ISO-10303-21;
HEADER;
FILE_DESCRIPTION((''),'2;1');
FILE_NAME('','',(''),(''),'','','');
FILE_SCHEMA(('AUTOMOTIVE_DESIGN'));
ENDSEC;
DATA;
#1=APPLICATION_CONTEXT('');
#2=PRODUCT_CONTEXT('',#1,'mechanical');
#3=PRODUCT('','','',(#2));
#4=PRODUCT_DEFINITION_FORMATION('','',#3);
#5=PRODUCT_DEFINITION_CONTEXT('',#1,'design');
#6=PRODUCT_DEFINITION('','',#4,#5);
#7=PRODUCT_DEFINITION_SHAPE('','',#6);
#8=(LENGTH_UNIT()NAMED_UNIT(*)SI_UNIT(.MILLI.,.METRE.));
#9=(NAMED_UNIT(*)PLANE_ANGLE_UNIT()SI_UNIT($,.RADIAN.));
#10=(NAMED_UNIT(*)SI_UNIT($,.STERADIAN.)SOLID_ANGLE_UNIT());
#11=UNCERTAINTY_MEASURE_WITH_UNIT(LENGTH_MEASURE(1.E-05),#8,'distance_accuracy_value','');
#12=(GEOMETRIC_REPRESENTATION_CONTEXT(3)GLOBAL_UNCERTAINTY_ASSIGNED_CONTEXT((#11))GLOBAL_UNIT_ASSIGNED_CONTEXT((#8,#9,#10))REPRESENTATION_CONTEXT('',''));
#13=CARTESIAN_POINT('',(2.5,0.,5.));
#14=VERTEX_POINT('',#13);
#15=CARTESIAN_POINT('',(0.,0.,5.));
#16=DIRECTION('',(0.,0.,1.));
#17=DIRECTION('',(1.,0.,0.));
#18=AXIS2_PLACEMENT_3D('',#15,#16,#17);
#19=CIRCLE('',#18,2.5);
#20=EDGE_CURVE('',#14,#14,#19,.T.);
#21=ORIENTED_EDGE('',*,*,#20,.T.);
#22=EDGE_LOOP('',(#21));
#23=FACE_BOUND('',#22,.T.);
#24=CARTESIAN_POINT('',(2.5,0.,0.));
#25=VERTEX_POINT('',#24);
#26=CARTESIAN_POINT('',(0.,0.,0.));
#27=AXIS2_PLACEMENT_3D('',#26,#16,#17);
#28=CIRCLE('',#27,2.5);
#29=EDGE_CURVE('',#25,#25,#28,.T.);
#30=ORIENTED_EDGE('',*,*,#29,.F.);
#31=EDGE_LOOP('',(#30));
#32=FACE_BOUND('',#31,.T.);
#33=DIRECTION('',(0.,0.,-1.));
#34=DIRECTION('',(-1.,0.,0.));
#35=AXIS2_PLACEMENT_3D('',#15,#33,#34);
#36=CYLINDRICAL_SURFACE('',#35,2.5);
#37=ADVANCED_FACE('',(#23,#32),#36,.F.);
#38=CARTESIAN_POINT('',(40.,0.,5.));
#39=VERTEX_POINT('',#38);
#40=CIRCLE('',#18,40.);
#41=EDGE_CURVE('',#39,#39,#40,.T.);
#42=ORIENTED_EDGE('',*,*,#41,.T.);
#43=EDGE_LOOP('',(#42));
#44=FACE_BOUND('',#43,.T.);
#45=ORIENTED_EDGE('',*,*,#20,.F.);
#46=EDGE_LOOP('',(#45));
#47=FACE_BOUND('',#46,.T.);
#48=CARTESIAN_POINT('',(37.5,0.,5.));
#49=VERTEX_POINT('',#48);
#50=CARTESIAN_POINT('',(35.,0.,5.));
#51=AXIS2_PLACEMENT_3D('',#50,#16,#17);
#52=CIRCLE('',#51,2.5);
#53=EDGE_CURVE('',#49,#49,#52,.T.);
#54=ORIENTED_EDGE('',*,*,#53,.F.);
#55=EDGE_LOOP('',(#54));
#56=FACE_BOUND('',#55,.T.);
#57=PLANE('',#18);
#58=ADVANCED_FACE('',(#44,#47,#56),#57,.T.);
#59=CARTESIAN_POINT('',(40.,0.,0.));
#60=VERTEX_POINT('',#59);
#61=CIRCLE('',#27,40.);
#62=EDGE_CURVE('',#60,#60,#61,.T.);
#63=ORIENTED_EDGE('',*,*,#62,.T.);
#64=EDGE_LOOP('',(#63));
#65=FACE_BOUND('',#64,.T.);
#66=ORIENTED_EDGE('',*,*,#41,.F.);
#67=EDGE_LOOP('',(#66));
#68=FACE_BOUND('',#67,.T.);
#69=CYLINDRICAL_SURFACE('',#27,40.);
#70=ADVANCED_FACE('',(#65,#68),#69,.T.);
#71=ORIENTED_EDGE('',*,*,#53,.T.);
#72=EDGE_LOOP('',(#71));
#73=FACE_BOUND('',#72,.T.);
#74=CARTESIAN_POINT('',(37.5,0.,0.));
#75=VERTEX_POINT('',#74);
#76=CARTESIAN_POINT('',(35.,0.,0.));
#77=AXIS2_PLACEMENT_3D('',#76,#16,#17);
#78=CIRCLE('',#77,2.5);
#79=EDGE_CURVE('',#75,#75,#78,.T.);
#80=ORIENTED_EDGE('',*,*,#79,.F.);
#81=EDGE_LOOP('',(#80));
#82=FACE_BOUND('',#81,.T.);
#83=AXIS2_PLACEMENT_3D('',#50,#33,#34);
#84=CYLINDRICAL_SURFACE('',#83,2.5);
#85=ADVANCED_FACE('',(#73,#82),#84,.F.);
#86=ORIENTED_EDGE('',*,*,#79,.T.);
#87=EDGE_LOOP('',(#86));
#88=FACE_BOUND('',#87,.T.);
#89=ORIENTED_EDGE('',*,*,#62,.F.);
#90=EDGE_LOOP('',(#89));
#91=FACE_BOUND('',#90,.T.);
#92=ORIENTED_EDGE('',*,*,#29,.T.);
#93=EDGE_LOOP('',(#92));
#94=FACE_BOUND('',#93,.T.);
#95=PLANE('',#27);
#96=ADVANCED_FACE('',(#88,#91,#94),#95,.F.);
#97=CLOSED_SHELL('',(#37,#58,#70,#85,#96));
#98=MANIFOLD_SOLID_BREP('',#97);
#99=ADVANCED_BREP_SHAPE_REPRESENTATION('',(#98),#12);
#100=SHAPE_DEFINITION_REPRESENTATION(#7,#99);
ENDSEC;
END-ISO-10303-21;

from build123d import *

# Parameters (mm, degrees)
SKETCH_1_R      = 5
SKETCH_1_R_2    = 2.5
EXTRUDE_1_DEPTH = 5
EXTRUDE_START   = -5
SKETCH_2_R      = 40
SKETCH_2_R_2    = 2.5
EXTRUDE_2_DEPTH = 5


with BuildPart() as part:
    # 草图1 → 凸台-拉伸1 (new body)
    # profile 1 of 3: a face of its own
    with BuildSketch(Plane.XY):
        with BuildLine():
            ThreePointArc((5, 0), (3.535533906, -3.535533906), (0, -5))
            Line((0, -5), (35, -5))
            ThreePointArc((35, -5), (30, 0), (35, 5))
            Line((35, 5), (0, 5))
            ThreePointArc((0, 5), (3.535533906, 3.535533906), (5, 0))
        make_face()
    # profile 2 of 3: a face of its own
    with BuildSketch(Plane.XY):
        Circle(SKETCH_1_R)
        Circle(SKETCH_1_R_2, mode=Mode.SUBTRACT)
    # profile 3 of 3: a face of its own
    with BuildSketch(Plane.XY):
        with Locations((35, 0)):
            Circle(SKETCH_1_R)
        with Locations((35, 0)):
            Circle(SKETCH_1_R_2, mode=Mode.SUBTRACT)
    extrude(amount=EXTRUDE_1_DEPTH)

    # 草图2 → 凸台-拉伸2 (add)
    with BuildSketch(Plane.XY.offset(5).offset(EXTRUDE_START)):
        Circle(SKETCH_2_R)
        Circle(SKETCH_2_R_2, mode=Mode.SUBTRACT)
        with Locations((35, 0)):
            Circle(SKETCH_2_R_2, mode=Mode.SUBTRACT)
    extrude(amount=EXTRUDE_2_DEPTH)


solid = part.part
